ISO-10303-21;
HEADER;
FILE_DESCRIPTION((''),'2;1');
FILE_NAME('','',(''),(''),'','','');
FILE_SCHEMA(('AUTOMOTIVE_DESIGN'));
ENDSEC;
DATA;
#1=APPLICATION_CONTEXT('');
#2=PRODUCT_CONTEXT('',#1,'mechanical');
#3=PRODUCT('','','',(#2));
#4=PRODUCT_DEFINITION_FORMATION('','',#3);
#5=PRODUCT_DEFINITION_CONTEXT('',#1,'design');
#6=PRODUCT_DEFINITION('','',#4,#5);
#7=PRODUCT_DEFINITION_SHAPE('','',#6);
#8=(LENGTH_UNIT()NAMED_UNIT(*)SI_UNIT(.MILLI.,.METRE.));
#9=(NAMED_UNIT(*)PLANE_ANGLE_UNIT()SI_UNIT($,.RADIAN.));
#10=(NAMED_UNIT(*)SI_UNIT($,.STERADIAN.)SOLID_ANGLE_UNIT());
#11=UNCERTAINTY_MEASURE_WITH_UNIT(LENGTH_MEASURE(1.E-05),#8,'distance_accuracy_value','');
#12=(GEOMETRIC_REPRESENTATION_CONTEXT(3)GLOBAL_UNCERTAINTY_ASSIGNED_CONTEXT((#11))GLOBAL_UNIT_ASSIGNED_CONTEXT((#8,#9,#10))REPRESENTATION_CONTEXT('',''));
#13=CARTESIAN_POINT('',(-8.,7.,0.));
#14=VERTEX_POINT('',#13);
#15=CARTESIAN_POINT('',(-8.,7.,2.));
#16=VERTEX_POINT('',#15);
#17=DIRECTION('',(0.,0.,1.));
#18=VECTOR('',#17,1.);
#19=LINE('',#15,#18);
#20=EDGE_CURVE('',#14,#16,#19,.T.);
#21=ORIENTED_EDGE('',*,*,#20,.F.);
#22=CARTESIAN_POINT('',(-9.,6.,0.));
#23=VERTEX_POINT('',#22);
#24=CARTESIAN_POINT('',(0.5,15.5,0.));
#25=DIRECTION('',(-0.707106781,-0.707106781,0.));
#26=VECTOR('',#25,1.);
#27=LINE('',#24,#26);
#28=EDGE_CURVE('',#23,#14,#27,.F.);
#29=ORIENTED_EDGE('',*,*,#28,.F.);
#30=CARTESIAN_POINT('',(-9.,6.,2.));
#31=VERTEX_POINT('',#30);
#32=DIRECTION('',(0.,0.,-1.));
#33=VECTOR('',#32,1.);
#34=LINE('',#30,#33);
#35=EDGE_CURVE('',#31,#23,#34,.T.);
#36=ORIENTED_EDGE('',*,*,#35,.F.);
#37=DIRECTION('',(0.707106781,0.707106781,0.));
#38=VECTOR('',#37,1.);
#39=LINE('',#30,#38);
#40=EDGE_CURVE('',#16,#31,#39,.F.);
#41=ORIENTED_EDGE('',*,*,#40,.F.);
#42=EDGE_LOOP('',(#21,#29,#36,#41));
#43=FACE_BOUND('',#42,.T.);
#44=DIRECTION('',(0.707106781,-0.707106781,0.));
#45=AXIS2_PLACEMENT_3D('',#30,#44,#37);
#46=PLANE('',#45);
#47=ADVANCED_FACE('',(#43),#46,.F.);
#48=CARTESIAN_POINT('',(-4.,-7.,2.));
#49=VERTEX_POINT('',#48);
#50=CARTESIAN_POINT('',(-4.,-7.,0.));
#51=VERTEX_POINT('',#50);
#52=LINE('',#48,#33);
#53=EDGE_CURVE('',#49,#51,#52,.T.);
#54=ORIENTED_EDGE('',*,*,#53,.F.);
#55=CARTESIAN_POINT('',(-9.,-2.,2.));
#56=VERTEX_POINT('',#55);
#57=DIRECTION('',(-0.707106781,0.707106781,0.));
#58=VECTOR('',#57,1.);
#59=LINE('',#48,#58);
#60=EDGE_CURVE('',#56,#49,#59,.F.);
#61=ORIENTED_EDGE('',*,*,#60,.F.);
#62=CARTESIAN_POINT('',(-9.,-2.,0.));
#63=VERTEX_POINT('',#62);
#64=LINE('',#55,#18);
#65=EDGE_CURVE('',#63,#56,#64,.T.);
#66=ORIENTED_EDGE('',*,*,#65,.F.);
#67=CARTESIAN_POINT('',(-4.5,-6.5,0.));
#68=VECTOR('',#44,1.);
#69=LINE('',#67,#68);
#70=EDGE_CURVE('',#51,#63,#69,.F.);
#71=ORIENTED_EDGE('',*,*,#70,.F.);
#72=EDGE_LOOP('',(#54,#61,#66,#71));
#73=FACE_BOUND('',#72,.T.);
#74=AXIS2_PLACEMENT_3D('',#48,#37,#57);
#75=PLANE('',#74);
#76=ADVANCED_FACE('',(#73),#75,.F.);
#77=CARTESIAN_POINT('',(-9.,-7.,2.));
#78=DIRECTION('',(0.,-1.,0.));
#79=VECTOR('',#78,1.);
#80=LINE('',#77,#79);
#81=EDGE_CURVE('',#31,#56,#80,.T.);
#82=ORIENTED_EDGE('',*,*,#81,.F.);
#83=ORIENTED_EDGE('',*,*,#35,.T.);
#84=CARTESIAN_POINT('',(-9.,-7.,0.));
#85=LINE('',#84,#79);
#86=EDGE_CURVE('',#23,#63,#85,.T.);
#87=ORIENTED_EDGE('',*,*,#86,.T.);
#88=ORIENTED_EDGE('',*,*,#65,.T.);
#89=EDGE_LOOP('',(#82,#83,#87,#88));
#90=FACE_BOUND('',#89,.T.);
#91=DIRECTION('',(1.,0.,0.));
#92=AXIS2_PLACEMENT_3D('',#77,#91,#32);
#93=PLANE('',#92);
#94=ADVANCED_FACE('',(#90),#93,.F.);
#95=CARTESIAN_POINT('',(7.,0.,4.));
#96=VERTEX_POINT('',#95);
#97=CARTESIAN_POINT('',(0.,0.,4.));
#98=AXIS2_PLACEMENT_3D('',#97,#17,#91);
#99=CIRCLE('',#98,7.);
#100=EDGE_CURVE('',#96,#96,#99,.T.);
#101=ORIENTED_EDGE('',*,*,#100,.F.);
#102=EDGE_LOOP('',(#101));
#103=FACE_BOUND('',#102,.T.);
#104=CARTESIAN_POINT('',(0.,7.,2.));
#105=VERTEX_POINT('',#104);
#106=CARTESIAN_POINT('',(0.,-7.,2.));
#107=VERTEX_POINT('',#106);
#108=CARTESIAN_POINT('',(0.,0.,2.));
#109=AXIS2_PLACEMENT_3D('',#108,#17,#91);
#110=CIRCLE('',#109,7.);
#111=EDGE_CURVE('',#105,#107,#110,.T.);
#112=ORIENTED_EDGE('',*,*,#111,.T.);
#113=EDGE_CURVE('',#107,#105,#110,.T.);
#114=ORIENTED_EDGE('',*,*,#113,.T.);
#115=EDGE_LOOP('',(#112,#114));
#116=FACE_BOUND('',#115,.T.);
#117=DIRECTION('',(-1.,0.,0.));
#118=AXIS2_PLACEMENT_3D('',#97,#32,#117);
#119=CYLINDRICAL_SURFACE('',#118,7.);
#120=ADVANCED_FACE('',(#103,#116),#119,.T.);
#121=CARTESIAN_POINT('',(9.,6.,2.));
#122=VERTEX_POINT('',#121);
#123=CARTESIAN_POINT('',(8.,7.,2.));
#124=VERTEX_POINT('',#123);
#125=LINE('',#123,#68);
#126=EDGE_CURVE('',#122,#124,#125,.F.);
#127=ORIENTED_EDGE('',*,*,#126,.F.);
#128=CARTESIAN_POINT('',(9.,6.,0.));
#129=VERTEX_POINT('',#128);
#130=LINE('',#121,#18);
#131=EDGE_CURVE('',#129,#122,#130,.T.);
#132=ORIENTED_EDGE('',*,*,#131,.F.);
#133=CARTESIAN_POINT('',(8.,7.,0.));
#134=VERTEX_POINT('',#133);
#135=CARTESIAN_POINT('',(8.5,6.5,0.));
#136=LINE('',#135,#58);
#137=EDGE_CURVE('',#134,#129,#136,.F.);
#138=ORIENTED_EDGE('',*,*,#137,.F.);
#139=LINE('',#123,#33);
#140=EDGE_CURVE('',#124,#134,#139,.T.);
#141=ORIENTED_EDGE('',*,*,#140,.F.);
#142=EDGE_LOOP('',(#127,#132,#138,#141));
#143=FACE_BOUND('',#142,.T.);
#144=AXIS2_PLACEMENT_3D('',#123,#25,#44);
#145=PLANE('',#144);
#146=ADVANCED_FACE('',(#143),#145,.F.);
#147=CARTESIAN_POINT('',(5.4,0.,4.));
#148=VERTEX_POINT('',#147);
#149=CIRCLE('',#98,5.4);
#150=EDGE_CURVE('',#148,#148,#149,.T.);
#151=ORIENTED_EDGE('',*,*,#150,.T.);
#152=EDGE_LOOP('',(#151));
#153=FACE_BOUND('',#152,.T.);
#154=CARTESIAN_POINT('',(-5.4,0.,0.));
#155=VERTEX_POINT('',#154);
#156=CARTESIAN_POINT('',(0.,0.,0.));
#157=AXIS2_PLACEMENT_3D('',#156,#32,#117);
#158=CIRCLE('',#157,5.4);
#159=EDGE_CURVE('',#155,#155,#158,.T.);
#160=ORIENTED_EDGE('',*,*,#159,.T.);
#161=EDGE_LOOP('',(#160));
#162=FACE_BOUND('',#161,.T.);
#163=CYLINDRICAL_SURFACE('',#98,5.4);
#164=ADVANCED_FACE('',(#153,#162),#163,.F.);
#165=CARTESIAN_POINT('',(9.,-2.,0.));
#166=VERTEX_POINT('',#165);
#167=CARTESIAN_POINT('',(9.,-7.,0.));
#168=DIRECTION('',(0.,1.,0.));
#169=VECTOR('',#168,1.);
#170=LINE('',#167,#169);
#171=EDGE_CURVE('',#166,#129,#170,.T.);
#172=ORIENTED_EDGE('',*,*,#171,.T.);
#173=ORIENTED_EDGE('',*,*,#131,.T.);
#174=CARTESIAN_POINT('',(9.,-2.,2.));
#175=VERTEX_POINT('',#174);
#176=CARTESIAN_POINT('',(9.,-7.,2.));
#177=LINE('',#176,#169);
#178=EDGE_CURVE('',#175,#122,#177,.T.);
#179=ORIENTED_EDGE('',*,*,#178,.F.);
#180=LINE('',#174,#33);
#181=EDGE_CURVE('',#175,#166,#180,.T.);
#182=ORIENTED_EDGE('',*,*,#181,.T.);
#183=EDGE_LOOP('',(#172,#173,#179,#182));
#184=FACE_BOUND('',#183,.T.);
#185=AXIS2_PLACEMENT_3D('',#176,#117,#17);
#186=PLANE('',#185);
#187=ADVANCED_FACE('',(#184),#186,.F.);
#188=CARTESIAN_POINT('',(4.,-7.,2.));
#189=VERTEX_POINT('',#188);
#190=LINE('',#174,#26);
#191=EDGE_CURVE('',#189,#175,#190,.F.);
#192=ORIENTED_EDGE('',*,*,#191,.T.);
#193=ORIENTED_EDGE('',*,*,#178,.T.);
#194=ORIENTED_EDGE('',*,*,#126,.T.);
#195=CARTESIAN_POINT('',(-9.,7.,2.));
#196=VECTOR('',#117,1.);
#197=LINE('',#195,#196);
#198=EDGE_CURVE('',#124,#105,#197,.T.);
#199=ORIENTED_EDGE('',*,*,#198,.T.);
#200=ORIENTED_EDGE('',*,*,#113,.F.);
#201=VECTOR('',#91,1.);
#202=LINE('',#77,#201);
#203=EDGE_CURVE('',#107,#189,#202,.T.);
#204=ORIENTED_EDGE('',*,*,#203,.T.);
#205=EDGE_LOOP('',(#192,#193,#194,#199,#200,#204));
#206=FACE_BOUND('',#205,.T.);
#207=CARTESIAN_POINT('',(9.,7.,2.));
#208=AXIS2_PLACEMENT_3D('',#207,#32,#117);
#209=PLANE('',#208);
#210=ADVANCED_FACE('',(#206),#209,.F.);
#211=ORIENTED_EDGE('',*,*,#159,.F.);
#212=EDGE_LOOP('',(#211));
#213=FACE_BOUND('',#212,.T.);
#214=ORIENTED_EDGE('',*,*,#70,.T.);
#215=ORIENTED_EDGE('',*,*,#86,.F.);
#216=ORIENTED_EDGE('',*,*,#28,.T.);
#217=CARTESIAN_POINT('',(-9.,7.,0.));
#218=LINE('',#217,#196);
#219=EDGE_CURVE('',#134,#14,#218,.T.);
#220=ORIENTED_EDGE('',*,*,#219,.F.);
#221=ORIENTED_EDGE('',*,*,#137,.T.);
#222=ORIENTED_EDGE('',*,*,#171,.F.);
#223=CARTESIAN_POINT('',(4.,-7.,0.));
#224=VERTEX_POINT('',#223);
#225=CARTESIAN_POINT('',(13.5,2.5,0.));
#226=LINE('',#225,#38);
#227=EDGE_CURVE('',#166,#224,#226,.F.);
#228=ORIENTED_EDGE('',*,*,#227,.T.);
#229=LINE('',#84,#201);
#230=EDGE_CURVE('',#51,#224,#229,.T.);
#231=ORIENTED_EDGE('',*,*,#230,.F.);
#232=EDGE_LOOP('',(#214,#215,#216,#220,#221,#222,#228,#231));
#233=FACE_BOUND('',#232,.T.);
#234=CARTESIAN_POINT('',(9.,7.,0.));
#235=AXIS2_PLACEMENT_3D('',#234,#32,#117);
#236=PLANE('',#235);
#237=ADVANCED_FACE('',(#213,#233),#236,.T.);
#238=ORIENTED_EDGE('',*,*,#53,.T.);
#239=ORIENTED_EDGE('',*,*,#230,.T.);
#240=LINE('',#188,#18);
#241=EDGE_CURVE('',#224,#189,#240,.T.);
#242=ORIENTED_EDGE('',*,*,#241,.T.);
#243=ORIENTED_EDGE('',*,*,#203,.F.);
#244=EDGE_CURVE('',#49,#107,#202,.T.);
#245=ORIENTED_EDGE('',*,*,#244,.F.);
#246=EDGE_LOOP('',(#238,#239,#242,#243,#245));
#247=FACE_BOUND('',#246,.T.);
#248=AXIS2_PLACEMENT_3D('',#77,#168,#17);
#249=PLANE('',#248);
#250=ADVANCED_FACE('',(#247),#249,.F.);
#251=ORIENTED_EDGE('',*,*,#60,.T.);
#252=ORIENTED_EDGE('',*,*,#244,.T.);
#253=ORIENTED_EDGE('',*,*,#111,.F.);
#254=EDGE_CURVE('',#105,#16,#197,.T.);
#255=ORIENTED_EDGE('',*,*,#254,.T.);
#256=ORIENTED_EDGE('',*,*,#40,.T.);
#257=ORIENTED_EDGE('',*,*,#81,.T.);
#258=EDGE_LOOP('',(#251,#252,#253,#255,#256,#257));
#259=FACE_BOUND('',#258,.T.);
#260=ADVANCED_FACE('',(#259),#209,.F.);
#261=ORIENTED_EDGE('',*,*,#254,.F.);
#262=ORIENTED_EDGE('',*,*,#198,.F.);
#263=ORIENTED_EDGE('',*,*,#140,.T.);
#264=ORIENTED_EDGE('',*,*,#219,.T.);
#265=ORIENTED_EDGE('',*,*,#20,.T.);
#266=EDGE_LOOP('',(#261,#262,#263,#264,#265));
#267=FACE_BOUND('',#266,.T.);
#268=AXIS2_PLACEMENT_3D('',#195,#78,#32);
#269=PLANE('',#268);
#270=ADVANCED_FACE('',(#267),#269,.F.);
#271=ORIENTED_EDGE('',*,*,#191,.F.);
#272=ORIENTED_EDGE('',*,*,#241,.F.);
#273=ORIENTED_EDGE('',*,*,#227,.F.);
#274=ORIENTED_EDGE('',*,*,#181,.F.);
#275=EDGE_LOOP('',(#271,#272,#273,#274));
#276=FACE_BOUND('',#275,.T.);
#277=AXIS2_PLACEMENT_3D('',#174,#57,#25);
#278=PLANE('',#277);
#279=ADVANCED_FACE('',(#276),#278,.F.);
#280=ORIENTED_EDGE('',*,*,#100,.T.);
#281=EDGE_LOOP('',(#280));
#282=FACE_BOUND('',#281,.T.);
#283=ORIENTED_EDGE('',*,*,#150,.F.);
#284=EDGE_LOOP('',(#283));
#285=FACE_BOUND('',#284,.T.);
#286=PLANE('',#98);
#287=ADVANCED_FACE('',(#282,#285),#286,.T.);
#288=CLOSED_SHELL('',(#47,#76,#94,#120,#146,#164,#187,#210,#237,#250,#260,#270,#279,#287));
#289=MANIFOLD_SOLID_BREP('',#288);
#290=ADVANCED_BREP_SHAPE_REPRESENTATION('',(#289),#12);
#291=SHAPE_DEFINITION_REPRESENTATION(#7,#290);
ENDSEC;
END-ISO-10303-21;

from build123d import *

# Parameters (mm, degrees)
SKETCH1_W                   = 18
SKETCH1_H                   = 14
BOSS_EXTRUDE1_DEPTH         = 2
SKETCH2_R                   = 7
BOSS_EXTRUDE2_DEPTH         = 2
M12X1_25_TAPPED_HOLE1_D     = 10.8
M12X1_25_TAPPED_HOLE1_DEPTH = 8.75
M12X1_25_TAPPED_HOLE1_TIP   = 3.244647343
CHAMFER6_SIZE               = 5
CHAMFER7_SIZE               = 1


with BuildPart() as part:
    # Sketch1 → Boss-Extrude1 (new body)
    with BuildSketch(Plane.XY):
        Rectangle(SKETCH1_W, SKETCH1_H)
    extrude(amount=BOSS_EXTRUDE1_DEPTH)

    # Sketch2 → Boss-Extrude2 (add)
    with BuildSketch(Plane.XY.offset(2)):
        with Locations(Location((0, 0, 0), (0, 0, 270))):
            Circle(SKETCH2_R)
    extrude(amount=BOSS_EXTRUDE2_DEPTH)

    # M12x1.25 Tapped Hole1
    with Locations(Plane.XY.offset(4)):
        with Locations((0, 0)):
            Hole(M12X1_25_TAPPED_HOLE1_D / 2, depth=M12X1_25_TAPPED_HOLE1_DEPTH)
            with Locations((0, 0, -(M12X1_25_TAPPED_HOLE1_DEPTH + M12X1_25_TAPPED_HOLE1_TIP / 2))):  # 118° drill point
                Cone(0, M12X1_25_TAPPED_HOLE1_D / 2, M12X1_25_TAPPED_HOLE1_TIP, mode=Mode.SUBTRACT)

    # Chamfer6
    chamfer6_edges = [part.edges().sort_by_distance(p)[0] for p in [
        (9, -7, 1),
        (-9, -7, 1),
    ]]
    chamfer(chamfer6_edges, length=CHAMFER6_SIZE)

    # Chamfer7
    chamfer7_edges = [part.edges().sort_by_distance(p)[0] for p in [
        (-9, 7, 1),
        (9, 7, 1),
    ]]
    chamfer(chamfer7_edges, length=CHAMFER7_SIZE)


solid = part.part
